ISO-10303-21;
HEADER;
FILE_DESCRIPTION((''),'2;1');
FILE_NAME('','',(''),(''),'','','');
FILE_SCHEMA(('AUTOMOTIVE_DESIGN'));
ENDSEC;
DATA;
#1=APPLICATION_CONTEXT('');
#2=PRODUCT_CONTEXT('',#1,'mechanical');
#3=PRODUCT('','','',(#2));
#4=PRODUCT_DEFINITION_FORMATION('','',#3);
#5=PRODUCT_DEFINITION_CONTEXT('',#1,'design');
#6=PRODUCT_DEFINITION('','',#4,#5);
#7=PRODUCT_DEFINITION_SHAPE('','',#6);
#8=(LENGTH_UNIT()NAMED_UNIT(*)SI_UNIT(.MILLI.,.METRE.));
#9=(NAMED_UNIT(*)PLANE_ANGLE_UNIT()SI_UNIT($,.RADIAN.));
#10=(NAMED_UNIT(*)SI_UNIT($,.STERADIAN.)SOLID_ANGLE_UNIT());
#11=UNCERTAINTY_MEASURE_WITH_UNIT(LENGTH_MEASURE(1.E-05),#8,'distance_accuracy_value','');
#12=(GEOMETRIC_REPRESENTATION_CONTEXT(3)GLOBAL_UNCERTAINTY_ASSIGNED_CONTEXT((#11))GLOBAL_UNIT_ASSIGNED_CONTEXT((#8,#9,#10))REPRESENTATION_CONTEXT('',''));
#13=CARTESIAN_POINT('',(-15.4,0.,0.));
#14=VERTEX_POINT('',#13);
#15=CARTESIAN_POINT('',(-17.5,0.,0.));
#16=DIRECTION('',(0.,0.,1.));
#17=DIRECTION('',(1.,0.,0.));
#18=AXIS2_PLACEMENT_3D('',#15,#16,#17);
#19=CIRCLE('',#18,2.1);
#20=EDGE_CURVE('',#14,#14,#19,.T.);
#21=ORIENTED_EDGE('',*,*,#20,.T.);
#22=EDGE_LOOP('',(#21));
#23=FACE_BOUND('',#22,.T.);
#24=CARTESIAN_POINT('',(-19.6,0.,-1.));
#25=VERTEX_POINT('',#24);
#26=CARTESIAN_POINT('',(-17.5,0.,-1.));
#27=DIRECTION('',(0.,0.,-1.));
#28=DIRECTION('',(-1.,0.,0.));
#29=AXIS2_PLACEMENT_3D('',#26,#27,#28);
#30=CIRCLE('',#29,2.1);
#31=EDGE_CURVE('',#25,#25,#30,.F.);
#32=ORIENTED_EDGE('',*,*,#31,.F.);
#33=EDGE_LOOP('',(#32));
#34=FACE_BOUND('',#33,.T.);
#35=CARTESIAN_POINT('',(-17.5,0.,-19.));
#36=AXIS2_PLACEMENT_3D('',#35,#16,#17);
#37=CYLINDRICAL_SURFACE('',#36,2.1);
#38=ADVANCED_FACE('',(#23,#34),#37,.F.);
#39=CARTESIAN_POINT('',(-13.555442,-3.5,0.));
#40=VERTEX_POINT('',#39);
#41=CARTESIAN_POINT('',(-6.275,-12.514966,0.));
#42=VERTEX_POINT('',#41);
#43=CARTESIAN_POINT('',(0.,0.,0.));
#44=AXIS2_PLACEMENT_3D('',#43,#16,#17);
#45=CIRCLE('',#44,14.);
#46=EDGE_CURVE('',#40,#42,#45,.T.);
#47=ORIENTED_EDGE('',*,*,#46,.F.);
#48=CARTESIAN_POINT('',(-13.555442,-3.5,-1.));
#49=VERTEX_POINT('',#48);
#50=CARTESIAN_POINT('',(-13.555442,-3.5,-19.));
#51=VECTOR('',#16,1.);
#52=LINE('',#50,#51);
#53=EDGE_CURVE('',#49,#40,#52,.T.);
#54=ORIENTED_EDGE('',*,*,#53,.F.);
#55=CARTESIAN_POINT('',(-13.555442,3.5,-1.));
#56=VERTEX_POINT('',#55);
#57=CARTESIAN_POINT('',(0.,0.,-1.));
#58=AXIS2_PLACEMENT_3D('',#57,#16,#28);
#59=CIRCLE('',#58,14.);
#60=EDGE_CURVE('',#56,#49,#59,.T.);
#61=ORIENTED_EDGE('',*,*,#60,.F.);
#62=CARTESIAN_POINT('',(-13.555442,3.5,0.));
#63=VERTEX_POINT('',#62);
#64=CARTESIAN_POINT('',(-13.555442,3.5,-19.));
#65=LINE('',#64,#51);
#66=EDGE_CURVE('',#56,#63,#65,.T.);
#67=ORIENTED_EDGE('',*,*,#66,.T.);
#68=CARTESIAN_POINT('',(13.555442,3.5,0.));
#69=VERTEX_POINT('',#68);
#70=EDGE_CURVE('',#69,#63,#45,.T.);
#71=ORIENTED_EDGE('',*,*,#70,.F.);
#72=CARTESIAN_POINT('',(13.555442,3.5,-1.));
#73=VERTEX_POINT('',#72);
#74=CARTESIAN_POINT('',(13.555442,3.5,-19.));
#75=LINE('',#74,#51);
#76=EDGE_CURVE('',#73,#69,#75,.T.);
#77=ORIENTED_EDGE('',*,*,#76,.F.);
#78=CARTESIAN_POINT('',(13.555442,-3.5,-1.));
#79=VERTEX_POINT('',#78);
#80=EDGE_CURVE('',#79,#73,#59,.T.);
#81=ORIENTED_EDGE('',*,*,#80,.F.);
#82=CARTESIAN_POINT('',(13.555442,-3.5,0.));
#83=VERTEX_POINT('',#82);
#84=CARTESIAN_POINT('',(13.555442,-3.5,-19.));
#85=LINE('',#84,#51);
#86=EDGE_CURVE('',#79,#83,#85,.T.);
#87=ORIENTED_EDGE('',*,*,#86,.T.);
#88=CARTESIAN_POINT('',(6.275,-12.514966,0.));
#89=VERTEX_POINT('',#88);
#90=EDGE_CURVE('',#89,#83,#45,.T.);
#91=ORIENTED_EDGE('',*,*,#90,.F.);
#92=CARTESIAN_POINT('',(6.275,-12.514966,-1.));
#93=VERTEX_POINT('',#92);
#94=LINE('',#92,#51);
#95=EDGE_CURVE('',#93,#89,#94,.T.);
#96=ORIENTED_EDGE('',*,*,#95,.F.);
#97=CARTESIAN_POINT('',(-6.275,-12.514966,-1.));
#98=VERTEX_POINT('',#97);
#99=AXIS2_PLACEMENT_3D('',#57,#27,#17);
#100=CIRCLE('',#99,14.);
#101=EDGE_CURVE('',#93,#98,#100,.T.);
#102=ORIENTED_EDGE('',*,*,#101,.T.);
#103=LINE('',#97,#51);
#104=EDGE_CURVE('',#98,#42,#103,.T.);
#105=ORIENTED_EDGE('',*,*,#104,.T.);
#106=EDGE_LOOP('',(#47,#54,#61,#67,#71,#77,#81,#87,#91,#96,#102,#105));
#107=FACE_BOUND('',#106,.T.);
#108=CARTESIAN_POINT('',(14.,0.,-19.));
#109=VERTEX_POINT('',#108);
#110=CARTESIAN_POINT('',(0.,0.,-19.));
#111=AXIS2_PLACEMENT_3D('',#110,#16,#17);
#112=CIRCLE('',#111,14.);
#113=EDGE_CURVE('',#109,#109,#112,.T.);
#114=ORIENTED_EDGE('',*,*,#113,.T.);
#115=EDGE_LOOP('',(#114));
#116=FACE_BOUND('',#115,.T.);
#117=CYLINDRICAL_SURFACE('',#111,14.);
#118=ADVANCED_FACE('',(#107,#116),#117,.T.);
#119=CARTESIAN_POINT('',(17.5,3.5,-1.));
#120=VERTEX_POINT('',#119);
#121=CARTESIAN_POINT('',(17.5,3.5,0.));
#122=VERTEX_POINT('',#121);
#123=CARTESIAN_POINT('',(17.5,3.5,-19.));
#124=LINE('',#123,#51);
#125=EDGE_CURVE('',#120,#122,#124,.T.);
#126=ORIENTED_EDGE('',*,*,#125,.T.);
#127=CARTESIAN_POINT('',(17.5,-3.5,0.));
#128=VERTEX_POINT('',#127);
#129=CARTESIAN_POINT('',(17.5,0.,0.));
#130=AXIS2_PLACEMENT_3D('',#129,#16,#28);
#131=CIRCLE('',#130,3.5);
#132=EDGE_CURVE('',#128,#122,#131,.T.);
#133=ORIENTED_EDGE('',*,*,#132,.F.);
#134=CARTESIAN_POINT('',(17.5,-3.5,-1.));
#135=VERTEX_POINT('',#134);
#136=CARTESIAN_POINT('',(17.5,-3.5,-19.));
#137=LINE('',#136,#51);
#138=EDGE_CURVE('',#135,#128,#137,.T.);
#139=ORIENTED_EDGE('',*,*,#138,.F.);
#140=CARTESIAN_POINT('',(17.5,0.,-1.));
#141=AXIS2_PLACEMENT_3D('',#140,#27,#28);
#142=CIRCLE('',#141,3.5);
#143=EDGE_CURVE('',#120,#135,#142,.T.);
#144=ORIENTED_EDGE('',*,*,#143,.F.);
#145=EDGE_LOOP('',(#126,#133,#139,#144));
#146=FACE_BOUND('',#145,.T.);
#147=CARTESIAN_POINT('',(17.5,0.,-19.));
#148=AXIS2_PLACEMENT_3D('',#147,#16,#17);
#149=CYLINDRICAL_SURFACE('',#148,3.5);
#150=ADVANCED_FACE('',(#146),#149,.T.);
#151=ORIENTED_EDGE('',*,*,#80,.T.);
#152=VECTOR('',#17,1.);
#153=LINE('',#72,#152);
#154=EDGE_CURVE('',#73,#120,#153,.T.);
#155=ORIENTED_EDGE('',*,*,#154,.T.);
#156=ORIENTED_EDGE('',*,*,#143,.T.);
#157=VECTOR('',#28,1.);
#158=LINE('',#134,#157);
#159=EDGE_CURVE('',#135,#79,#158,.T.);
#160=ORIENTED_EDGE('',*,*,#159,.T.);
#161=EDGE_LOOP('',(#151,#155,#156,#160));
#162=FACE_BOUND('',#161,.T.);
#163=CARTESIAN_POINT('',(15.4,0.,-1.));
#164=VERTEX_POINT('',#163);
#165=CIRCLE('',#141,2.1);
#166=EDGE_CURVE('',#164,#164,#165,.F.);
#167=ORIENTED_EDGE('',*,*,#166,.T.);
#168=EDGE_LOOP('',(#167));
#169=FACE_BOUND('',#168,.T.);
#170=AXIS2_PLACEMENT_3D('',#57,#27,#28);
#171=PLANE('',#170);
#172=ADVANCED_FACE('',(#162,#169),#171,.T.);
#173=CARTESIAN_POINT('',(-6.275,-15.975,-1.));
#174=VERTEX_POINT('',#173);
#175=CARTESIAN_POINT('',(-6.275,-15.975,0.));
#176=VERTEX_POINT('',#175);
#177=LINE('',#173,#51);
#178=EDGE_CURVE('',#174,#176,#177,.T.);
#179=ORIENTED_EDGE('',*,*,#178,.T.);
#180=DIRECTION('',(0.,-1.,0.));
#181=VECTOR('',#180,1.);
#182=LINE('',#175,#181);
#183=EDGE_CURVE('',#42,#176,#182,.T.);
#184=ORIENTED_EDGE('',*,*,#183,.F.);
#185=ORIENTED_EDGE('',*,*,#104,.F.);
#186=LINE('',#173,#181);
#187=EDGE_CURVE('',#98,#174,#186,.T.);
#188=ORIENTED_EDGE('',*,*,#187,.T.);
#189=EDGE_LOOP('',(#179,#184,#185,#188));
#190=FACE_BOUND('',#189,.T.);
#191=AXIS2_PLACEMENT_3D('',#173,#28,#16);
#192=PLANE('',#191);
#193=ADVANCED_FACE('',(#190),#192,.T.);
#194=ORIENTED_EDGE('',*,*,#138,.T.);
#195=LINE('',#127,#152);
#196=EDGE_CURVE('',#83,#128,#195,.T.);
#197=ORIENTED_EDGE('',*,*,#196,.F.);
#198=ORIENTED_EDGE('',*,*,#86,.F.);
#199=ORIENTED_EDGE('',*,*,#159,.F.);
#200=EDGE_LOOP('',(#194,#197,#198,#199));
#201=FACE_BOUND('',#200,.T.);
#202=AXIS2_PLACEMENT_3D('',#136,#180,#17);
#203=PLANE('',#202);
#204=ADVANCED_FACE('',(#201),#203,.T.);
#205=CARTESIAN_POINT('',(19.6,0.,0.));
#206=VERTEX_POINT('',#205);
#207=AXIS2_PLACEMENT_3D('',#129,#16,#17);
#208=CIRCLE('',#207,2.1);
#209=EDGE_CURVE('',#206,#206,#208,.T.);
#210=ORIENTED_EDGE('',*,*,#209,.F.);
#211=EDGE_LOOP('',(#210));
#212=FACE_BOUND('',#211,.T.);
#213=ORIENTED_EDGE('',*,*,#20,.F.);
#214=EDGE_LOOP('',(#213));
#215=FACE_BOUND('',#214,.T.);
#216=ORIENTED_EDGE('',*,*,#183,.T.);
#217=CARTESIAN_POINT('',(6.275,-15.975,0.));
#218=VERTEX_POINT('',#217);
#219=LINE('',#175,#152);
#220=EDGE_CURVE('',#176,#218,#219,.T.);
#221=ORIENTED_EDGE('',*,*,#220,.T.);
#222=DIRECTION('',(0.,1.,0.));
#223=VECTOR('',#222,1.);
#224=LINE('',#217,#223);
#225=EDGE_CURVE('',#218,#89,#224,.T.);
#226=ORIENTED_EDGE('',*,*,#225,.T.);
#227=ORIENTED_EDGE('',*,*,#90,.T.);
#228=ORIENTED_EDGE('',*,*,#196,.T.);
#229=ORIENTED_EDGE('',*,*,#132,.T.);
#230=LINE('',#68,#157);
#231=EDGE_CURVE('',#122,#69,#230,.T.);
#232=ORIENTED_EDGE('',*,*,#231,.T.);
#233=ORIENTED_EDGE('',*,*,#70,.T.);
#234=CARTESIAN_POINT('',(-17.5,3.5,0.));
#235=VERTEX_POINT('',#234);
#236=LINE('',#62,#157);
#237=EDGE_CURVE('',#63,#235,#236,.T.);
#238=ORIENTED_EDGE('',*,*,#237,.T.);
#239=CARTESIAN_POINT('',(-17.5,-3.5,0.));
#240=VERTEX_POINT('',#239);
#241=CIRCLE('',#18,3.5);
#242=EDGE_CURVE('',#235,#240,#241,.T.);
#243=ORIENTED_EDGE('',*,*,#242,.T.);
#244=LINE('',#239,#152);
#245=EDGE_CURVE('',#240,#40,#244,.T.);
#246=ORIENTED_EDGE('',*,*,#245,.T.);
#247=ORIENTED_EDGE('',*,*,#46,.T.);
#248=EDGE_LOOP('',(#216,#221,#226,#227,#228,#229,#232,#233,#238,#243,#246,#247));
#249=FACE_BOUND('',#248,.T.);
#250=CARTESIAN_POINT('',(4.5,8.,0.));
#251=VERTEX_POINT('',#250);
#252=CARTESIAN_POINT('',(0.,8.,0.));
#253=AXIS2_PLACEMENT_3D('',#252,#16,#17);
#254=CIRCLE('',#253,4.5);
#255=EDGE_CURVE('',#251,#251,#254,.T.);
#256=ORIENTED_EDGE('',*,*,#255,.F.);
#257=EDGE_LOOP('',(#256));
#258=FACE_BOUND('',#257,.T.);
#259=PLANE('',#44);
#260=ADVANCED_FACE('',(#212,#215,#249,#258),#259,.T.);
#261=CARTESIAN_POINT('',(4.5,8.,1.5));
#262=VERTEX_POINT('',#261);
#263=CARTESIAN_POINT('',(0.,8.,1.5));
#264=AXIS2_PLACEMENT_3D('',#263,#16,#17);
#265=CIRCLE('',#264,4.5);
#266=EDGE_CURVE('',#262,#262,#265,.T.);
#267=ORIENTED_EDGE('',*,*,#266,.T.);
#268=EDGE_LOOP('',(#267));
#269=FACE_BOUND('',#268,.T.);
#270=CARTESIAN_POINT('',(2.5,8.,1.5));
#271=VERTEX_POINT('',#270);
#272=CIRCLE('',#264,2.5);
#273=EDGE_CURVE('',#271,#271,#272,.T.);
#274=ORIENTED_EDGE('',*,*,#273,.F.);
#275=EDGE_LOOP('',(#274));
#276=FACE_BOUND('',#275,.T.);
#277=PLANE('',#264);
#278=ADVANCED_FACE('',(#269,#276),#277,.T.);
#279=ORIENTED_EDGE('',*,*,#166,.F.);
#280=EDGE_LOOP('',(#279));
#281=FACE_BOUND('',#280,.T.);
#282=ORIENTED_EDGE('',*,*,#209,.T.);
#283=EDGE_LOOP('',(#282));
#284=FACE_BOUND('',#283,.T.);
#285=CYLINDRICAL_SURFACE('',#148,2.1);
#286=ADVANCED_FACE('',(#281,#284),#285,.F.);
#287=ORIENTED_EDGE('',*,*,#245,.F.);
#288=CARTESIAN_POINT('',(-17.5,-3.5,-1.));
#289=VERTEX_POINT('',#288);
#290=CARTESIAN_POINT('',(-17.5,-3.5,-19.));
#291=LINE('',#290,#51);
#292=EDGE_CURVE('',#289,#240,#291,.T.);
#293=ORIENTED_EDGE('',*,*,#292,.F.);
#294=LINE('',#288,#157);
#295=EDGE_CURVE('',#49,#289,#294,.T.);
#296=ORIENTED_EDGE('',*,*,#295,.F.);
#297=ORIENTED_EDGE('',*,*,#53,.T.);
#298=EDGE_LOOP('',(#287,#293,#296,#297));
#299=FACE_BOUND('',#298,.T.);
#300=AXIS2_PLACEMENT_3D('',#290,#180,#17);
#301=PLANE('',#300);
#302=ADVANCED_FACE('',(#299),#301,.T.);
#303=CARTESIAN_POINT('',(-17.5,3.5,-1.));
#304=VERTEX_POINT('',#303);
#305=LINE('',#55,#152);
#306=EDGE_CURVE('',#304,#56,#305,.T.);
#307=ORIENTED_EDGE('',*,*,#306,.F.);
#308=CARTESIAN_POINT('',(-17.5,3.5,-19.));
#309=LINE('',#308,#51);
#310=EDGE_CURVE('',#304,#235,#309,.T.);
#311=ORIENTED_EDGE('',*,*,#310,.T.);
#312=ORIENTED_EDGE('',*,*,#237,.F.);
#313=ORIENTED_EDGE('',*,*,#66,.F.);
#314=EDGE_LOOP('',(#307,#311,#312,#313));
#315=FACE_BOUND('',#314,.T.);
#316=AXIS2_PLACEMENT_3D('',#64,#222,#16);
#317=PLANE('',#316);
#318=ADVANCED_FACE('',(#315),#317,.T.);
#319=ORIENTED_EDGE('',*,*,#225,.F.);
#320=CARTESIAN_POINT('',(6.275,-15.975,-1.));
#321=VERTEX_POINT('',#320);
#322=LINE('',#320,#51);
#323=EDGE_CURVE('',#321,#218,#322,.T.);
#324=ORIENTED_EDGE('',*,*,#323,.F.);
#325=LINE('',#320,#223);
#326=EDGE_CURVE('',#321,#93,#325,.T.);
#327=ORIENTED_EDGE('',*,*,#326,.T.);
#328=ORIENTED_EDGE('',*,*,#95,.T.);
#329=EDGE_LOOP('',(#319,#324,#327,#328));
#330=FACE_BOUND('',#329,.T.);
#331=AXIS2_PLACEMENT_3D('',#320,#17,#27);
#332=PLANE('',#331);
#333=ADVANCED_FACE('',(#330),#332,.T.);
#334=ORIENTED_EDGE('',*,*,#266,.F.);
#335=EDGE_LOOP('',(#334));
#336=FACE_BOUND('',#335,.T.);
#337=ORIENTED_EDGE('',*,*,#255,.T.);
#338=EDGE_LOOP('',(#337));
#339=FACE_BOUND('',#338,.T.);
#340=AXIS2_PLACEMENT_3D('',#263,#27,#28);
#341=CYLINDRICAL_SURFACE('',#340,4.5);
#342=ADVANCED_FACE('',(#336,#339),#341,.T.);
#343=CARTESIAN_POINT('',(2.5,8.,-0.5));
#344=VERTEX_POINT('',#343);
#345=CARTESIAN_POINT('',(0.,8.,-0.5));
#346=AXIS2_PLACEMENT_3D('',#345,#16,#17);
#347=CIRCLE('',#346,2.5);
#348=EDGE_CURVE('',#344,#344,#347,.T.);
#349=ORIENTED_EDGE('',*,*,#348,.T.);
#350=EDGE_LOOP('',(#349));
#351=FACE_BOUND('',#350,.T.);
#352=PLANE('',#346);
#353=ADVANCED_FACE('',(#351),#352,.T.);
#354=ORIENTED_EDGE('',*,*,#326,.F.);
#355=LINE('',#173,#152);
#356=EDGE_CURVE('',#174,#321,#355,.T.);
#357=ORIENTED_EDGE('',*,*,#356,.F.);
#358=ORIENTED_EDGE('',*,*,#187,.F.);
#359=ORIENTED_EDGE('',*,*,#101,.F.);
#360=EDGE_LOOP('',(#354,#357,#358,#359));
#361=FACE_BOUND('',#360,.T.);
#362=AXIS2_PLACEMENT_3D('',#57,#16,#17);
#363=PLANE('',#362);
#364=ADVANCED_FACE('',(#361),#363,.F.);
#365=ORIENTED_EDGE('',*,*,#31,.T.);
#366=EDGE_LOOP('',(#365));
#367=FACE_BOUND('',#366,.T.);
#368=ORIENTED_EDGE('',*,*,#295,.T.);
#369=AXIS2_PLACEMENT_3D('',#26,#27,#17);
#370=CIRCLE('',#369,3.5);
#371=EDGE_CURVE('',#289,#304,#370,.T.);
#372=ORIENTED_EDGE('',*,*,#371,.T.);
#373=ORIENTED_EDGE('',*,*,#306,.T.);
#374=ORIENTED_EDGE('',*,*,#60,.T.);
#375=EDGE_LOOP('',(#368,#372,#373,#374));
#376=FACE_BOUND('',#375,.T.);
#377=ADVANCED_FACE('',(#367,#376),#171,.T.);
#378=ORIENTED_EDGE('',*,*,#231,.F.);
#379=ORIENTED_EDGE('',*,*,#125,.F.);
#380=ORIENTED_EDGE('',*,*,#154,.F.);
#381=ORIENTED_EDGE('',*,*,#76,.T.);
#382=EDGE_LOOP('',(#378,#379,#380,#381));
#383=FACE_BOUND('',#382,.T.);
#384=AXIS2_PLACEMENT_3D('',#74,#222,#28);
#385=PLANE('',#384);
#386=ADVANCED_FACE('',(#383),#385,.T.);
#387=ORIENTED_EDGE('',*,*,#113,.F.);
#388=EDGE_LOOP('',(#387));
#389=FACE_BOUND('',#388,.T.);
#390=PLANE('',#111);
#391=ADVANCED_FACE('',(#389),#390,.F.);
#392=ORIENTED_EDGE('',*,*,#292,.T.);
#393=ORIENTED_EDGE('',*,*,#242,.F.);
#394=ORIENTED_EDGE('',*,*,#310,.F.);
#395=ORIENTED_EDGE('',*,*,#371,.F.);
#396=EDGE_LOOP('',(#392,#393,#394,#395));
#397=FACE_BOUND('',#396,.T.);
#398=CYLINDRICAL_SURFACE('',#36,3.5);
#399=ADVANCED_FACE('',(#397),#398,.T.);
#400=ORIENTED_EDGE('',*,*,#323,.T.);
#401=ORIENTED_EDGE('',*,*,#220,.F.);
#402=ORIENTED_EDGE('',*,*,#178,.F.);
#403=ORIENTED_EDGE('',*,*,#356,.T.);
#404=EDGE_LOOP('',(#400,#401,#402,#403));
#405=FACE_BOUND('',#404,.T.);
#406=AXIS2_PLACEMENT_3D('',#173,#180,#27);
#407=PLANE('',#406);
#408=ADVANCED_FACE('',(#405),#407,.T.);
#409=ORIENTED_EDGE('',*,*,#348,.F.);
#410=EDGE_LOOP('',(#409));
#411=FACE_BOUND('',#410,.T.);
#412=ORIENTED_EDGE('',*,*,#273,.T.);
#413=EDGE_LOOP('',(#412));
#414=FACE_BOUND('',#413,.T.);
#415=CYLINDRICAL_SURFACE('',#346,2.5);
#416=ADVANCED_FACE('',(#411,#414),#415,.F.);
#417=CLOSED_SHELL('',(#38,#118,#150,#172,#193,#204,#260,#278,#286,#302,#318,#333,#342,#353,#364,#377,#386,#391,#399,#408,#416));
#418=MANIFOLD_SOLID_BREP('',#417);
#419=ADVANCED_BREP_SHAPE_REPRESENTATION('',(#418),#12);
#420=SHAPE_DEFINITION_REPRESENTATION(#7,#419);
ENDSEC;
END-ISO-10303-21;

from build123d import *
from build123d.topology import SkipClean

# Parameters (mm, degrees)
ESQUISSE1_R             = 2.1
BOSS_EXTRU_1_DEPTH      = 19
ENL_V_START             = -18
ENL_V_MAT_EXTRU_1_DEPTH = 18
ESQUISSE3_R             = 4.5
BOSS_EXTRU_2_DEPTH      = 1.5
ESQUISSE4_R             = 2.5
ENL_V_MAT_EXTRU_2_DEPTH = 2
BOSS_EXTRU_3_DEPTH      = 1


with BuildPart() as part:
    # Esquisse1 → Boss.-Extru.1 (new body)
    with BuildSketch(Plane.XY):
        with BuildLine():
            Line((13.555441712, 3.5), (17.5, 3.5))
            ThreePointArc((17.5, 3.5), (21, 0), (17.5, -3.5))
            Line((17.5, -3.5), (13.555441712, -3.5))
            ThreePointArc((13.555441712, -3.5), (0, -14), (-13.555441712, -3.5))
            Line((-13.555441712, -3.5), (-17.5, -3.5))
            ThreePointArc((-17.5, -3.5), (-21, 0), (-17.5, 3.5))
            Line((-17.5, 3.5), (-13.555441712, 3.5))
            ThreePointArc((-13.555441712, 3.5), (0, 14), (13.555441712, 3.5))
        make_face()
        with Locations((-17.5, 0)):
            Circle(ESQUISSE1_R, mode=Mode.SUBTRACT)
        with Locations((17.5, 0)):
            Circle(ESQUISSE1_R, mode=Mode.SUBTRACT)
    extrude(amount=-BOSS_EXTRU_1_DEPTH)

    # Esquisse2 → Enlèv. mat.-Extru.1 (cut)
    with SkipClean():  # the faces are left unmerged after this step: merging them gives an invalid solid
        with BuildSketch(Plane(origin=(0, 0, -19), x_dir=(-1, 0, 0), z_dir=(0, 0, -1)).offset(ENL_V_START)):
            with BuildLine():
                Line((-13.555441712, 3.5), (-17.5, 3.5))
                ThreePointArc((-17.5, 3.5), (-21, 0), (-17.5, -3.5))
                Line((-17.5, -3.5), (-13.555441712, -3.5))
                ThreePointArc((-13.555441712, -3.5), (-14, 0), (-13.555441712, 3.5))
            make_face()
            with BuildLine():
                Line((13.555441712, 3.5), (17.5, 3.5))
                ThreePointArc((17.5, 3.5), (21, 0), (17.5, -3.5))
                Line((17.5, -3.5), (13.555441712, -3.5))
                ThreePointArc((13.555441712, -3.5), (14, 0), (13.555441712, 3.5))
            make_face()
        extrude(amount=ENL_V_MAT_EXTRU_1_DEPTH, mode=Mode.SUBTRACT)

    # Esquisse3 → Boss.-Extru.2 (add)
    with SkipClean():  # the faces are left unmerged after this step: merging them gives an invalid solid
        with BuildSketch(Plane.XY):
            with Locations((0, 8)):
                Circle(ESQUISSE3_R)
        extrude(amount=BOSS_EXTRU_2_DEPTH)

    # Esquisse4 → Enlèv. mat.-Extru.2 (cut)
    with SkipClean():  # the faces are left unmerged after this step: merging them gives an invalid solid
        with BuildSketch(Plane.XY.offset(1.5)):
            with Locations((0, 8)):
                Circle(ESQUISSE4_R)
        extrude(amount=-ENL_V_MAT_EXTRU_2_DEPTH, mode=Mode.SUBTRACT)

    # Esquisse5 → Boss.-Extru.3 (add)
    with SkipClean():  # the faces are left unmerged after this step: merging them gives an invalid solid
        with BuildSketch(Plane.XY):
            with BuildLine():
                Line((-6.275, -15.975), (6.275, -15.975))
                Line((6.275, -15.975), (6.275, -12.514966041))
                ThreePointArc((6.275, -12.514966041), (0, -14), (-6.275, -12.514966041))
                Line((-6.275, -12.514966041), (-6.275, -15.975))
            make_face()
        extrude(amount=-BOSS_EXTRU_3_DEPTH)


solid = part.part
